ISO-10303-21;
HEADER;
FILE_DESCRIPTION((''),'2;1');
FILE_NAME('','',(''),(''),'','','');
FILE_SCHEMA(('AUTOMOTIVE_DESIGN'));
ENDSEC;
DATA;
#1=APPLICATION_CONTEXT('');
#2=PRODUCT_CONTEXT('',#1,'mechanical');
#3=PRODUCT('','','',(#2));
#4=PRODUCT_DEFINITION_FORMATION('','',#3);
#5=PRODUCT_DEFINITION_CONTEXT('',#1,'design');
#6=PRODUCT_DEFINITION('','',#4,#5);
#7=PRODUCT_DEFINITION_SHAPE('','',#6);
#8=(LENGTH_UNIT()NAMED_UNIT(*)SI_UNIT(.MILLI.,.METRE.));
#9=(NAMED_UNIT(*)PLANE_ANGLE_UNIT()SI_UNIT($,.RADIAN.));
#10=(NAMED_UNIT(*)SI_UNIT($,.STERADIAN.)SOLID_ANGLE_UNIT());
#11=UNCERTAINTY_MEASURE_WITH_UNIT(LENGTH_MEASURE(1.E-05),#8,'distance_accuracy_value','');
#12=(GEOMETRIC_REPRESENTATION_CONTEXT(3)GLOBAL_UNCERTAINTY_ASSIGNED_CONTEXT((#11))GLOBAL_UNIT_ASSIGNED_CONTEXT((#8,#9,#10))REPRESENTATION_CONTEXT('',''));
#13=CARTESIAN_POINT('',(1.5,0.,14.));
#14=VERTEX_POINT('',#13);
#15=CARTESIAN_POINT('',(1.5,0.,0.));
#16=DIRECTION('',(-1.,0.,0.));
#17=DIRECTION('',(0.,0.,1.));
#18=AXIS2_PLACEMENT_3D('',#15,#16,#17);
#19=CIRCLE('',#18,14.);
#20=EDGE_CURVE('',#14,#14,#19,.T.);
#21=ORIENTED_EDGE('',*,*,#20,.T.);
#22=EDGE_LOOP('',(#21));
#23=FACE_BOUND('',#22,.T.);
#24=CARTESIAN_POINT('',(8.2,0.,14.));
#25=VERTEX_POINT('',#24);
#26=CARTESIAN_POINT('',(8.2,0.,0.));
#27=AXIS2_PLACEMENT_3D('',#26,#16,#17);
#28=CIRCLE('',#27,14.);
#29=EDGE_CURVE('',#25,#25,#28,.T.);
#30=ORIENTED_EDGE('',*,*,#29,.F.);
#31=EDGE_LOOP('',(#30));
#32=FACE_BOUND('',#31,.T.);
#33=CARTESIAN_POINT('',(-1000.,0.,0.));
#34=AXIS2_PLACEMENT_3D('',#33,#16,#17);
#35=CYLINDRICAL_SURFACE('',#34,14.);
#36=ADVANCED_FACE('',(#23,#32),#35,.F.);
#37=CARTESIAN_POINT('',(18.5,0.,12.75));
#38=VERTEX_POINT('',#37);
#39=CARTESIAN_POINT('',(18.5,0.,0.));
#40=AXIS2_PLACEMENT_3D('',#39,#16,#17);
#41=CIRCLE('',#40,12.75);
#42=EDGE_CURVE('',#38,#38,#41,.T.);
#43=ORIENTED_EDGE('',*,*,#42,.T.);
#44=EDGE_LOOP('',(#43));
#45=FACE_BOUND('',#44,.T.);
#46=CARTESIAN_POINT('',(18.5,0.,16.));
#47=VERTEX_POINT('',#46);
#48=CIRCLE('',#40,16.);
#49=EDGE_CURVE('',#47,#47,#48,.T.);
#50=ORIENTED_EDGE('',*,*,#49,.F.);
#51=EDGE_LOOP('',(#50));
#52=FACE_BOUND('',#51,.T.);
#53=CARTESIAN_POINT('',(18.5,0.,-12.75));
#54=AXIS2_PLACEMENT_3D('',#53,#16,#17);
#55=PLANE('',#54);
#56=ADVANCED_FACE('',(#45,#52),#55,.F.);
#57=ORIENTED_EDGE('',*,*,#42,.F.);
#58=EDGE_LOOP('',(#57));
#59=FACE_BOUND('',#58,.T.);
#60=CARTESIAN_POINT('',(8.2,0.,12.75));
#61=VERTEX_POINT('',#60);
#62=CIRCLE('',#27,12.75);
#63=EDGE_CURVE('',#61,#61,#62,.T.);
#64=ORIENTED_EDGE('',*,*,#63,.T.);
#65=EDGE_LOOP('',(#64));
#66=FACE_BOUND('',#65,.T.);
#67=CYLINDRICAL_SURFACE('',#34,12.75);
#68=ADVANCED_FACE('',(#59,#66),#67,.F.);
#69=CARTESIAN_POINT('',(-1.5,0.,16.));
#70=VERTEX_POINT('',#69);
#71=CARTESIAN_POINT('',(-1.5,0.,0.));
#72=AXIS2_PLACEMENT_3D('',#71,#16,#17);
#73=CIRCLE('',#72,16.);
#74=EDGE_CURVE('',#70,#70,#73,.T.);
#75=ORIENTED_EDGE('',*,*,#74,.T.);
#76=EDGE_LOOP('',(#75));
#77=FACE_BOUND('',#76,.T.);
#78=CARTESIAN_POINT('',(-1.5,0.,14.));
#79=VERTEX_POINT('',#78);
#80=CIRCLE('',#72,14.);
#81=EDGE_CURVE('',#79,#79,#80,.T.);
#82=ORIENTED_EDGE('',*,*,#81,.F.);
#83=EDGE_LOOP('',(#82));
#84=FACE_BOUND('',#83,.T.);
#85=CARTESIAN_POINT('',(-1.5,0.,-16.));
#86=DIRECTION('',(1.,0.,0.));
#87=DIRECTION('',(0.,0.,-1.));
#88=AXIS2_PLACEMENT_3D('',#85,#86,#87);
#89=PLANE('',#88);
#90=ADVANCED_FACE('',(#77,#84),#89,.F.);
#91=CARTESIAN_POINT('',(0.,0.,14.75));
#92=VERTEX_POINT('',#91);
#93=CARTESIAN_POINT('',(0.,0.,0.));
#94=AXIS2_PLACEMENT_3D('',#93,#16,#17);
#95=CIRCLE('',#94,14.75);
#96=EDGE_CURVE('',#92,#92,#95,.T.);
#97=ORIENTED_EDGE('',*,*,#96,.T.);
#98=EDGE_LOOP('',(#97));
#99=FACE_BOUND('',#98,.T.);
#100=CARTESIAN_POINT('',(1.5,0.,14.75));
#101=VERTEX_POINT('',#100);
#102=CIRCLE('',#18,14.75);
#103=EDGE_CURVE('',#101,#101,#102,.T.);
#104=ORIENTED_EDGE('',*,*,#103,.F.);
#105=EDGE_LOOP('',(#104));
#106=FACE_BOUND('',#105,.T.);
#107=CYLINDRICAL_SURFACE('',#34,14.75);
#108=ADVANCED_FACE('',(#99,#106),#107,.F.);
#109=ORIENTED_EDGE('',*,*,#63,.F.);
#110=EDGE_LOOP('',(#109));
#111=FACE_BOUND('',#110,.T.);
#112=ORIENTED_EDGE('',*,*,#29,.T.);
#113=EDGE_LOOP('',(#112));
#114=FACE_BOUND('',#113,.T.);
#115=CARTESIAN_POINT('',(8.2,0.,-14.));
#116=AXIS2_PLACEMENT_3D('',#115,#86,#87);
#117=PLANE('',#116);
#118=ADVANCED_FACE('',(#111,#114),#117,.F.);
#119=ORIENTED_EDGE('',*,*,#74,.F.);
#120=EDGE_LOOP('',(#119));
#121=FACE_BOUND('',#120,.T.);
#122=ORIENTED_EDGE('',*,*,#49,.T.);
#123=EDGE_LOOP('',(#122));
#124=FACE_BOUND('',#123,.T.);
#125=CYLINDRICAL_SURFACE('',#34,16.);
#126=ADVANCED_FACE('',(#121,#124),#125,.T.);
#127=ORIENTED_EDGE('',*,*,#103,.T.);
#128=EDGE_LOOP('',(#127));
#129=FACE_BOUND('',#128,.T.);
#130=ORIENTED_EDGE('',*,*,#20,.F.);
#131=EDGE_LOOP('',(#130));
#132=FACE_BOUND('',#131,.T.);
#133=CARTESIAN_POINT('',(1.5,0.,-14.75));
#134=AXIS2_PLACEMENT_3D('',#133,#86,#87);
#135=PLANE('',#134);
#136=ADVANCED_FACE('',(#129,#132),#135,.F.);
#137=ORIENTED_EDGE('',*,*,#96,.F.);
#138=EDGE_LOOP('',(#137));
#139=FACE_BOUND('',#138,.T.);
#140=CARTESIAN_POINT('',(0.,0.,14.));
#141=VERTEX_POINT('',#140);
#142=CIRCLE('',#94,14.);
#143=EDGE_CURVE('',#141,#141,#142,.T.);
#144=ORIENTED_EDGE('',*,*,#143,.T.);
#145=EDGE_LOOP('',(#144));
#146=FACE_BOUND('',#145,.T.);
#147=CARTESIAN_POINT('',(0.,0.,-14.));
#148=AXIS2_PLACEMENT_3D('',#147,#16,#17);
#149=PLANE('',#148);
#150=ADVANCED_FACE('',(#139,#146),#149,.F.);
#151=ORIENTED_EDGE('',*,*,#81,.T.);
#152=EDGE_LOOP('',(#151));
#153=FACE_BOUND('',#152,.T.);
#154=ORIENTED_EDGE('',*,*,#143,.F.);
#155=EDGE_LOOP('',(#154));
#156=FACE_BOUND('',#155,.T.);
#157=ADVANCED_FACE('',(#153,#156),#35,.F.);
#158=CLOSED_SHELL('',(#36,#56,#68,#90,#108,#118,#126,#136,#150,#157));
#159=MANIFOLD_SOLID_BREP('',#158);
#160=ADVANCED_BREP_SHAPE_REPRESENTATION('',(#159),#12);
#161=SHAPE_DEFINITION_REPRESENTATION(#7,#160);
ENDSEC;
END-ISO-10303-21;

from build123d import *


with BuildPart() as part:
    # Эскиз1 → Повернуть1 (revolve)
    with BuildSketch(Plane(origin=(0, 0, 0), x_dir=(1, 0, 0), z_dir=(0, 1, 0))):
        Polygon((-1.5, 14), (0, 14), (0, 14.75), (1.5, 14.75), (1.5, 14), (8.2, 14), (8.2, 12.75), (18.5, 12.75), (18.5, 16), (-1.5, 16), align=None)
    revolve(axis=Axis((-1000, 0, 0), (1, 0, 0)))


solid = part.part
